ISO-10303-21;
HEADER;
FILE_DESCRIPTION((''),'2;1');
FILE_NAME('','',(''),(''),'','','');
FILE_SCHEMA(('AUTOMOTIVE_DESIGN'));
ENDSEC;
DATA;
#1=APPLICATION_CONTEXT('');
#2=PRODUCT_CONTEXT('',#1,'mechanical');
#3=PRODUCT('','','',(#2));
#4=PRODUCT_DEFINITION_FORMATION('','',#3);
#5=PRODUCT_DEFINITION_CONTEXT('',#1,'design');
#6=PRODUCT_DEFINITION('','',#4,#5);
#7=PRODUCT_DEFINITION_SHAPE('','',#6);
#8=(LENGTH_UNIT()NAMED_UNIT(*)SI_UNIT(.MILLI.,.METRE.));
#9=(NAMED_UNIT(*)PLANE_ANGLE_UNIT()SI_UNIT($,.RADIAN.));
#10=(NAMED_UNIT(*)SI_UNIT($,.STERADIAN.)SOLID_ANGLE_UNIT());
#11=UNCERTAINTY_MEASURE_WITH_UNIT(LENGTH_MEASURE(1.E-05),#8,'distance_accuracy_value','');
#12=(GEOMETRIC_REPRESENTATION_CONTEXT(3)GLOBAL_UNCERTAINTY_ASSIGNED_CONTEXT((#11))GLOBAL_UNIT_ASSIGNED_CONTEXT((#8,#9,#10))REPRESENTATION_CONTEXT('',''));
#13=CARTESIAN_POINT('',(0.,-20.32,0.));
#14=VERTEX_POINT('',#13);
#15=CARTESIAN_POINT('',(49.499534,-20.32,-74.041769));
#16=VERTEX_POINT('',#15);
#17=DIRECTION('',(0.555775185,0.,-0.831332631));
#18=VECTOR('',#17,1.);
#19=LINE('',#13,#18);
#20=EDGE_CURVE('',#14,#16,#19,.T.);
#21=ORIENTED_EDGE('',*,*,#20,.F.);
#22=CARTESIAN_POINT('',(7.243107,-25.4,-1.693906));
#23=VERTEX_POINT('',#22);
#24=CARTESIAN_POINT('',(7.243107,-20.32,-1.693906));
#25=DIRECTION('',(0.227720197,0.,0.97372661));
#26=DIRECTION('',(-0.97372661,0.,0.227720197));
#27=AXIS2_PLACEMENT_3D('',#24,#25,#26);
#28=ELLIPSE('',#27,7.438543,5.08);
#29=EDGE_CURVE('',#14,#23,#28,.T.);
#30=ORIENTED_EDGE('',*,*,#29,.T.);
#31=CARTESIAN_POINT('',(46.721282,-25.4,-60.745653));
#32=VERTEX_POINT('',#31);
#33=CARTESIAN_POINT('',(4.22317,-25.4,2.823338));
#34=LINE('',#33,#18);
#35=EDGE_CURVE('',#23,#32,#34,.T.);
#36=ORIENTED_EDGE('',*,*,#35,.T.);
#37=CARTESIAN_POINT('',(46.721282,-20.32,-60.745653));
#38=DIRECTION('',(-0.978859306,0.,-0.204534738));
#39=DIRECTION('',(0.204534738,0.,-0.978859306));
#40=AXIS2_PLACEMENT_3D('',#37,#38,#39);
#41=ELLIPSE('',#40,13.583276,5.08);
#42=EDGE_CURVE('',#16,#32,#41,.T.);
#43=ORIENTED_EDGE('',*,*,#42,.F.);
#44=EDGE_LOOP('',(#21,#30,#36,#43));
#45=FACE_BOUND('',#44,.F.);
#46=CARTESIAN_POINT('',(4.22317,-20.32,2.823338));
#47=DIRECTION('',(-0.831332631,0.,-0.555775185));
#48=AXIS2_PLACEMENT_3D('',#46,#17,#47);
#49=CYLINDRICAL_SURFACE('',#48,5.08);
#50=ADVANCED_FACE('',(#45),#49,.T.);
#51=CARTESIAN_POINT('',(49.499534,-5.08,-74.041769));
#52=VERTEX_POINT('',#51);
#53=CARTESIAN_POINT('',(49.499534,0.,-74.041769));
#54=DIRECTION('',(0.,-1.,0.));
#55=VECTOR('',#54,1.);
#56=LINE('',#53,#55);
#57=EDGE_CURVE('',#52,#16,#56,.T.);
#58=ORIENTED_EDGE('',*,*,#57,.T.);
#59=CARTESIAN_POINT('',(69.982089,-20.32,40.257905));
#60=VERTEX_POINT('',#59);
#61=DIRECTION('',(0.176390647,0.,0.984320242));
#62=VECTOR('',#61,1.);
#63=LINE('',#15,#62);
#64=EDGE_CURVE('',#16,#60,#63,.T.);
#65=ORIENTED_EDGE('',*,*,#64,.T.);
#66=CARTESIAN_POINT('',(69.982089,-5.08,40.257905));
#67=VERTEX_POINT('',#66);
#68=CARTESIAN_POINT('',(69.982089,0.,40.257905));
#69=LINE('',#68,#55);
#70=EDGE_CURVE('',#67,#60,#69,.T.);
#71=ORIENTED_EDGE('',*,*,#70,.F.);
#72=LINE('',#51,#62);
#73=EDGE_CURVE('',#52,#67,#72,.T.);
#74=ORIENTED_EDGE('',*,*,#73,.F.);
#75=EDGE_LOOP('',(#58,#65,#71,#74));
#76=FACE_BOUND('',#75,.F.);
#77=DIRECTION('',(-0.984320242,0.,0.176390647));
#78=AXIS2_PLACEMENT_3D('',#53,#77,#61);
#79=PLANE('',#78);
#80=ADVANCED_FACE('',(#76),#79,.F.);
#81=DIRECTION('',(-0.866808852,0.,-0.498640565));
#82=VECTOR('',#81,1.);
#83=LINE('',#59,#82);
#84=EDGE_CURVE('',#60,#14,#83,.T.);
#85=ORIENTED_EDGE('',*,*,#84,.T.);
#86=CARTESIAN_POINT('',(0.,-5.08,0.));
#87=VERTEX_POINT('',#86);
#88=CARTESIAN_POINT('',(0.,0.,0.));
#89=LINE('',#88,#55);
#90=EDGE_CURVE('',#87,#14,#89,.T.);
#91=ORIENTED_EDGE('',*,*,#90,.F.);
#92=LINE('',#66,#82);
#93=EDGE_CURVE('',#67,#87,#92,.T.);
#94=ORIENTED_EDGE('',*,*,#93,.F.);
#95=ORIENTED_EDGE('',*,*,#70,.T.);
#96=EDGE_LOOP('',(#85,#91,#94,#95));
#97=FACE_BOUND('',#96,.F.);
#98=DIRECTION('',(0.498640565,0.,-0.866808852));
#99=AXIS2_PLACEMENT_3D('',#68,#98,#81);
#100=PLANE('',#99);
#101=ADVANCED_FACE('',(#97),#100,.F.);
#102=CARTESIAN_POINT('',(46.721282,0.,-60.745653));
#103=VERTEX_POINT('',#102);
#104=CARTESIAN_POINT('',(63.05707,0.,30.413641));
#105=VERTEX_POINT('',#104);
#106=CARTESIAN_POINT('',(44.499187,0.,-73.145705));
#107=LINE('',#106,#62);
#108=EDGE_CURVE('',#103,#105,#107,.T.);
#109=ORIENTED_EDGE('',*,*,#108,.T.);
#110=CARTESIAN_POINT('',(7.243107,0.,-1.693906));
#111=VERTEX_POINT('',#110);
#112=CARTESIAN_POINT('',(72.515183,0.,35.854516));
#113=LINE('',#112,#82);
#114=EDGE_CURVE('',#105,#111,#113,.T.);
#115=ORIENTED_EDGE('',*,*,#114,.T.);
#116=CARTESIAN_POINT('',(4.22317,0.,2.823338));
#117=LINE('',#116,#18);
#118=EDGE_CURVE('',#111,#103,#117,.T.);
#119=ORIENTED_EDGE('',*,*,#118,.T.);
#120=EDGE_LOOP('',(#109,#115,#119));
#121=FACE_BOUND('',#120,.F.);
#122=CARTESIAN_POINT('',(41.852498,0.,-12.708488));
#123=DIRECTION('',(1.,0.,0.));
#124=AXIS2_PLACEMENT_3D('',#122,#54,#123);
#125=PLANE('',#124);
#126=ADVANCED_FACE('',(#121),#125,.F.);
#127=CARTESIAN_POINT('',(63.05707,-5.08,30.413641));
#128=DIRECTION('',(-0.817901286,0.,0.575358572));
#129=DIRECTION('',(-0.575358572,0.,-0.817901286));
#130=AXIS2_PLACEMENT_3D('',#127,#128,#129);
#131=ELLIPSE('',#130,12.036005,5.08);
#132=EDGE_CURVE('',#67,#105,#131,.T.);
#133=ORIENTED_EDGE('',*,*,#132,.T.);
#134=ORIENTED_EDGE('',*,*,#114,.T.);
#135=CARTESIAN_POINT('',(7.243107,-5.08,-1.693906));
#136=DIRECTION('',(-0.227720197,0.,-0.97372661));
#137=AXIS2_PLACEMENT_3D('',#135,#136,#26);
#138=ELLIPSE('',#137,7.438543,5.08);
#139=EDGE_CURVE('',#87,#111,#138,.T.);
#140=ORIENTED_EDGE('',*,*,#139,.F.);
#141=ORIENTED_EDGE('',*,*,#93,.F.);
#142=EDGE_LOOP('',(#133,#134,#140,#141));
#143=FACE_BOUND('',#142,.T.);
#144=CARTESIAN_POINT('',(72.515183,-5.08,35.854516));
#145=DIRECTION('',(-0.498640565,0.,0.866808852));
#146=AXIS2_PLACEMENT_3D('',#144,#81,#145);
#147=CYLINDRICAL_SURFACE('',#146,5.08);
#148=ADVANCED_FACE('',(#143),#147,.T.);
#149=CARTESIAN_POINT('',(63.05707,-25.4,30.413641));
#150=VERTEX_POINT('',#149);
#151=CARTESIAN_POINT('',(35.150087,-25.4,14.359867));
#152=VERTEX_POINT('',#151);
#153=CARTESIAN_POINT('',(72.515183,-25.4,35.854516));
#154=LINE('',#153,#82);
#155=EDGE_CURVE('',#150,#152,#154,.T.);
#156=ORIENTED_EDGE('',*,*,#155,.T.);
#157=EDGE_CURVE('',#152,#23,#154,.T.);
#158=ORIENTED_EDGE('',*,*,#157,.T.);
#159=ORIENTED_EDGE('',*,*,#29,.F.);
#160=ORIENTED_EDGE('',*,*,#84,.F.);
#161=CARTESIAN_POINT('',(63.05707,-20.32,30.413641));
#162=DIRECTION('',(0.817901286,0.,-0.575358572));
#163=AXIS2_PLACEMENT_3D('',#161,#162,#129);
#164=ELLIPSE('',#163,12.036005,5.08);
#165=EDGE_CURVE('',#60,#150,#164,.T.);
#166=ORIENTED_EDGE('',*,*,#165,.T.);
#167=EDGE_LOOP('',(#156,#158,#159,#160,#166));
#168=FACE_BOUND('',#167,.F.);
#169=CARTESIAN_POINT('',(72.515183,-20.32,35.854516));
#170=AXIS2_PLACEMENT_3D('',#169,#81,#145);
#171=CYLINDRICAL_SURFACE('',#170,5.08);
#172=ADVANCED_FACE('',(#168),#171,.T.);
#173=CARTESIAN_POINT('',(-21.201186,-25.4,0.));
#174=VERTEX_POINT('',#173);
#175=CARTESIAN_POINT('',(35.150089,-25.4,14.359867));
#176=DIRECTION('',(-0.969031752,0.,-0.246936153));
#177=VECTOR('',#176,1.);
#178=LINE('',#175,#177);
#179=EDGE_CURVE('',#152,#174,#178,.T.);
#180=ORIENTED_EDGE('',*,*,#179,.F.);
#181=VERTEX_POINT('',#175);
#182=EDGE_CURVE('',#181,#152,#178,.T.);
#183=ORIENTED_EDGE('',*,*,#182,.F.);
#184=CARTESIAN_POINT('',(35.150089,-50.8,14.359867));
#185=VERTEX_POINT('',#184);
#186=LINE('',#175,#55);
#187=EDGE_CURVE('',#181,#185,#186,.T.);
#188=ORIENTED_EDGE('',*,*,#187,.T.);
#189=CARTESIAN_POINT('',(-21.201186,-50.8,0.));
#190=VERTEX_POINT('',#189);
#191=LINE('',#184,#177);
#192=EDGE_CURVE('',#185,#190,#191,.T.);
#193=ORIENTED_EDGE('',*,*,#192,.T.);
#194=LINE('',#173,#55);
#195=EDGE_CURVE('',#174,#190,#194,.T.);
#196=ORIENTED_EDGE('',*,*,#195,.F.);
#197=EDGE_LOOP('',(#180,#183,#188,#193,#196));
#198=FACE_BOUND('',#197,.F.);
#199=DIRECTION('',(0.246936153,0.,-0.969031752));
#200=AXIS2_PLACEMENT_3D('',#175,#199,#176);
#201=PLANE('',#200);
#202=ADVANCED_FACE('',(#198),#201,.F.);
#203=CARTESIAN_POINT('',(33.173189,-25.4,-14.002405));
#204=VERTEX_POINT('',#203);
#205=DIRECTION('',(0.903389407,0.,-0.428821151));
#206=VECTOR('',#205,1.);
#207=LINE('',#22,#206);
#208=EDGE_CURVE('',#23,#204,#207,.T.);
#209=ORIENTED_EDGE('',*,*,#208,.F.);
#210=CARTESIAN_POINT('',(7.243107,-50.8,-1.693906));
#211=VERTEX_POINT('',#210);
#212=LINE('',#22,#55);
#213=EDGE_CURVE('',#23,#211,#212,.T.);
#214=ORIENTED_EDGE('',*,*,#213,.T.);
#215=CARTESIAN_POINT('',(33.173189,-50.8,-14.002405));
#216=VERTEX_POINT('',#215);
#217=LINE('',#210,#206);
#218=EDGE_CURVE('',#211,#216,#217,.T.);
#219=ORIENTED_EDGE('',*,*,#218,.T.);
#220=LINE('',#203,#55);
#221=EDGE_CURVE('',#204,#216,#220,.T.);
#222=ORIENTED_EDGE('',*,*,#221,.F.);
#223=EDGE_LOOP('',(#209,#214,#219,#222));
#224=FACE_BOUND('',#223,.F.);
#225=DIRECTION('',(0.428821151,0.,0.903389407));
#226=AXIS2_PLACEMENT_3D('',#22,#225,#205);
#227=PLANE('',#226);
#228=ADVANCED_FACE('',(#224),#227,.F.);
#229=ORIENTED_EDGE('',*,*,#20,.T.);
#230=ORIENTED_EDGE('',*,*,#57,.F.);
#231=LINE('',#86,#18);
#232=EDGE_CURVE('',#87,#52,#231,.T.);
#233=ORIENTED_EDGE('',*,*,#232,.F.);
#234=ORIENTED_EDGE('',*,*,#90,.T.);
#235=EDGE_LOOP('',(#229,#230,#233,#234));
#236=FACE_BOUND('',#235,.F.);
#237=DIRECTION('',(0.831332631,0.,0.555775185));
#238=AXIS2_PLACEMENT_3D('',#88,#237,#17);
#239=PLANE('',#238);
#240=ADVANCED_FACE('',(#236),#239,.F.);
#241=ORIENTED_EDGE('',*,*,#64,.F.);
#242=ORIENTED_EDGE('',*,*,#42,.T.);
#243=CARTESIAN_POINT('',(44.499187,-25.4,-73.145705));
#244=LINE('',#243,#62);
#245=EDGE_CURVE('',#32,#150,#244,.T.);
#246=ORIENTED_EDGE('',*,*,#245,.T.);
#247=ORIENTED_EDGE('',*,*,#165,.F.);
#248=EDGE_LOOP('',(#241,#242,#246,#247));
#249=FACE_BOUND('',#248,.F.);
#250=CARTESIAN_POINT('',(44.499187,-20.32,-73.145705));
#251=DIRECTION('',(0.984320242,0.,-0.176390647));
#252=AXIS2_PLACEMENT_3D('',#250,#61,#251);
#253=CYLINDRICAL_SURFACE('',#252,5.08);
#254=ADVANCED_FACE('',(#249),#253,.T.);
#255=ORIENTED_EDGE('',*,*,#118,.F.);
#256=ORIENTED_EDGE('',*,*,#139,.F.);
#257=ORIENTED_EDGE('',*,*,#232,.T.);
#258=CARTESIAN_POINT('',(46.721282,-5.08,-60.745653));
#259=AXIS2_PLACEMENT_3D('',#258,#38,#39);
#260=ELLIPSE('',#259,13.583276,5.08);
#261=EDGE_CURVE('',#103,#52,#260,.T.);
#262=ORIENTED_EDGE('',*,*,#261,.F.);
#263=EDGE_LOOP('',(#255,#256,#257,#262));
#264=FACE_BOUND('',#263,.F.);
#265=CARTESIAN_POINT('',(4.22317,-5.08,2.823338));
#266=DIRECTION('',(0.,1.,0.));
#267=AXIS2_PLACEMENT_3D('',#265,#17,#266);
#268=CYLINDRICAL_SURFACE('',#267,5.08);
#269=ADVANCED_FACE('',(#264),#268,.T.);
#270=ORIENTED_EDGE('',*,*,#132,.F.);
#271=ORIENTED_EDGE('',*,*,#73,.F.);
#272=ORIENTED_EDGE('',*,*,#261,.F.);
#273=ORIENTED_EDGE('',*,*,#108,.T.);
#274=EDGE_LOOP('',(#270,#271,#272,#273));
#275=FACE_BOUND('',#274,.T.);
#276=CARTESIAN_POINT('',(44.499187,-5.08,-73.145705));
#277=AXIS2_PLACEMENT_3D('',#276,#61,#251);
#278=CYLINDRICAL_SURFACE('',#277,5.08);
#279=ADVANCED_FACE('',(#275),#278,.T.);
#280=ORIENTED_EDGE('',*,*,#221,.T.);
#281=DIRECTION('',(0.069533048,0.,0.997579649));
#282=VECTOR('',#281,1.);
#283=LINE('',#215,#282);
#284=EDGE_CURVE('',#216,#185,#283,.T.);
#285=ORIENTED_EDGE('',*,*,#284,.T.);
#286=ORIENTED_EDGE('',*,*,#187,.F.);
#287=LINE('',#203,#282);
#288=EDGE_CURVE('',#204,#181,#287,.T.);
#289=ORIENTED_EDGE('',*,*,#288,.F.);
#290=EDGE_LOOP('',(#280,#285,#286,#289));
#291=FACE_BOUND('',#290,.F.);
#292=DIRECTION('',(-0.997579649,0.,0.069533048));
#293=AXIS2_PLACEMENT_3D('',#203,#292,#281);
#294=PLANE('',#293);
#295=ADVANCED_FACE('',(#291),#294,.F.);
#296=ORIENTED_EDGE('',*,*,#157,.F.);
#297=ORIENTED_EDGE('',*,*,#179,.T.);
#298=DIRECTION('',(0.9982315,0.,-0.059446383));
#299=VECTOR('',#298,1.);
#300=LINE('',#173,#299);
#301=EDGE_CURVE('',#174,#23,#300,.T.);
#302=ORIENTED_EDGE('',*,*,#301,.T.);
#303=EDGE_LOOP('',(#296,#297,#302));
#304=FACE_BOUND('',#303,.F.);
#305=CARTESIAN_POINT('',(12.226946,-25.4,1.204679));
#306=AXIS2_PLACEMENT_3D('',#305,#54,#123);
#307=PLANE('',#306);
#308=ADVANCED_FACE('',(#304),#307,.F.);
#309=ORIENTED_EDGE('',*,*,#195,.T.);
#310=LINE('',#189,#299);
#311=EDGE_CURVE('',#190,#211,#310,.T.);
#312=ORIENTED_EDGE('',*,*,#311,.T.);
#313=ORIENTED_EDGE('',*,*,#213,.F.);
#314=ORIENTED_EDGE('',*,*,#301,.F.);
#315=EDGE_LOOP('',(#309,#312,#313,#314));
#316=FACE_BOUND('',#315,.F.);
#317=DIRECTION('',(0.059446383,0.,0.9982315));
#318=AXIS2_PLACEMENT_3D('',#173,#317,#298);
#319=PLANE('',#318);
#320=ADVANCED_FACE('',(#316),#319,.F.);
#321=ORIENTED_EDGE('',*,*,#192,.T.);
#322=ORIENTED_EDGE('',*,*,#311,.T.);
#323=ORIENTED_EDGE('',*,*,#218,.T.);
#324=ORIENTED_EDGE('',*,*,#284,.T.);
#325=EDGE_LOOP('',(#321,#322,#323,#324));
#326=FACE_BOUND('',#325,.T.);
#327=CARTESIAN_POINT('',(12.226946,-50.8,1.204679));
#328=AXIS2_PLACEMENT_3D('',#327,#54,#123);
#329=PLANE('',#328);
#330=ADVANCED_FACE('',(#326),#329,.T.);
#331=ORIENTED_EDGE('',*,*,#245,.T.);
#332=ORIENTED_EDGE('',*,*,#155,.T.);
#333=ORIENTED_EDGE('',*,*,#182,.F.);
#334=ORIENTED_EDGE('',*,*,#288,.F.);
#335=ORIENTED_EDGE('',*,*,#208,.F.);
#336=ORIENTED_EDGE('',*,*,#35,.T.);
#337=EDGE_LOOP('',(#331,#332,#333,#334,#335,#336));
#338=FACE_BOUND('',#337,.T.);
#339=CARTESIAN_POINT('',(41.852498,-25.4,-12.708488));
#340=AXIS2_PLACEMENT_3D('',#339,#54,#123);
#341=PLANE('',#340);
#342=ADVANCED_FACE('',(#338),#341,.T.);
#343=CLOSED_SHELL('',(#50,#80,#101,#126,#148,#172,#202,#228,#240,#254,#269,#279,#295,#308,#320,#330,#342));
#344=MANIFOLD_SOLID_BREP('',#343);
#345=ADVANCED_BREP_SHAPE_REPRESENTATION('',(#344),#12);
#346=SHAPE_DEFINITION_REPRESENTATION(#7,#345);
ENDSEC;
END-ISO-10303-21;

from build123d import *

# Parameters (mm, degrees)
F1_DEPTH = 25.4
F2_R     = 5.08
F3_R     = 5.08
F5_DEPTH = 25.4


with BuildPart() as f1:
    # F0 (on Front) → F1 (new body)
    with BuildSketch(Plane.XZ):
        Polygon((69.982089, 40.257905), (0, 0), (49.499534, -74.041769), align=None)
    extrude(amount=F1_DEPTH)

    # F2
    f2_edges = [f1.edges().sort_by_distance(p)[0] for p in [
        (34.991045, -25.4, 20.128952),
        (24.749767, -25.4, -37.020884),
        (59.740812, -25.4, -16.891932),
    ]]
    fillet(f2_edges, radius=F2_R)

    # F3
    f3_edges = [f1.edges().sort_by_distance(p)[0] for p in [
        (34.991045, 0, 20.128952),
        (24.749767, 0, -37.020884),
        (59.740812, 0, -16.891932),
    ]]
    fillet(f3_edges, radius=F3_R)

    # F4 (on face) → F5 (join)
    with BuildSketch(Plane.XZ.offset(25.4)):
        Polygon((-21.201186, 0), (7.243107, -1.693906), (33.173189, -14.002405), (35.150089, 14.359867), align=None)
    extrude(amount=F5_DEPTH)


solid = f1.part
